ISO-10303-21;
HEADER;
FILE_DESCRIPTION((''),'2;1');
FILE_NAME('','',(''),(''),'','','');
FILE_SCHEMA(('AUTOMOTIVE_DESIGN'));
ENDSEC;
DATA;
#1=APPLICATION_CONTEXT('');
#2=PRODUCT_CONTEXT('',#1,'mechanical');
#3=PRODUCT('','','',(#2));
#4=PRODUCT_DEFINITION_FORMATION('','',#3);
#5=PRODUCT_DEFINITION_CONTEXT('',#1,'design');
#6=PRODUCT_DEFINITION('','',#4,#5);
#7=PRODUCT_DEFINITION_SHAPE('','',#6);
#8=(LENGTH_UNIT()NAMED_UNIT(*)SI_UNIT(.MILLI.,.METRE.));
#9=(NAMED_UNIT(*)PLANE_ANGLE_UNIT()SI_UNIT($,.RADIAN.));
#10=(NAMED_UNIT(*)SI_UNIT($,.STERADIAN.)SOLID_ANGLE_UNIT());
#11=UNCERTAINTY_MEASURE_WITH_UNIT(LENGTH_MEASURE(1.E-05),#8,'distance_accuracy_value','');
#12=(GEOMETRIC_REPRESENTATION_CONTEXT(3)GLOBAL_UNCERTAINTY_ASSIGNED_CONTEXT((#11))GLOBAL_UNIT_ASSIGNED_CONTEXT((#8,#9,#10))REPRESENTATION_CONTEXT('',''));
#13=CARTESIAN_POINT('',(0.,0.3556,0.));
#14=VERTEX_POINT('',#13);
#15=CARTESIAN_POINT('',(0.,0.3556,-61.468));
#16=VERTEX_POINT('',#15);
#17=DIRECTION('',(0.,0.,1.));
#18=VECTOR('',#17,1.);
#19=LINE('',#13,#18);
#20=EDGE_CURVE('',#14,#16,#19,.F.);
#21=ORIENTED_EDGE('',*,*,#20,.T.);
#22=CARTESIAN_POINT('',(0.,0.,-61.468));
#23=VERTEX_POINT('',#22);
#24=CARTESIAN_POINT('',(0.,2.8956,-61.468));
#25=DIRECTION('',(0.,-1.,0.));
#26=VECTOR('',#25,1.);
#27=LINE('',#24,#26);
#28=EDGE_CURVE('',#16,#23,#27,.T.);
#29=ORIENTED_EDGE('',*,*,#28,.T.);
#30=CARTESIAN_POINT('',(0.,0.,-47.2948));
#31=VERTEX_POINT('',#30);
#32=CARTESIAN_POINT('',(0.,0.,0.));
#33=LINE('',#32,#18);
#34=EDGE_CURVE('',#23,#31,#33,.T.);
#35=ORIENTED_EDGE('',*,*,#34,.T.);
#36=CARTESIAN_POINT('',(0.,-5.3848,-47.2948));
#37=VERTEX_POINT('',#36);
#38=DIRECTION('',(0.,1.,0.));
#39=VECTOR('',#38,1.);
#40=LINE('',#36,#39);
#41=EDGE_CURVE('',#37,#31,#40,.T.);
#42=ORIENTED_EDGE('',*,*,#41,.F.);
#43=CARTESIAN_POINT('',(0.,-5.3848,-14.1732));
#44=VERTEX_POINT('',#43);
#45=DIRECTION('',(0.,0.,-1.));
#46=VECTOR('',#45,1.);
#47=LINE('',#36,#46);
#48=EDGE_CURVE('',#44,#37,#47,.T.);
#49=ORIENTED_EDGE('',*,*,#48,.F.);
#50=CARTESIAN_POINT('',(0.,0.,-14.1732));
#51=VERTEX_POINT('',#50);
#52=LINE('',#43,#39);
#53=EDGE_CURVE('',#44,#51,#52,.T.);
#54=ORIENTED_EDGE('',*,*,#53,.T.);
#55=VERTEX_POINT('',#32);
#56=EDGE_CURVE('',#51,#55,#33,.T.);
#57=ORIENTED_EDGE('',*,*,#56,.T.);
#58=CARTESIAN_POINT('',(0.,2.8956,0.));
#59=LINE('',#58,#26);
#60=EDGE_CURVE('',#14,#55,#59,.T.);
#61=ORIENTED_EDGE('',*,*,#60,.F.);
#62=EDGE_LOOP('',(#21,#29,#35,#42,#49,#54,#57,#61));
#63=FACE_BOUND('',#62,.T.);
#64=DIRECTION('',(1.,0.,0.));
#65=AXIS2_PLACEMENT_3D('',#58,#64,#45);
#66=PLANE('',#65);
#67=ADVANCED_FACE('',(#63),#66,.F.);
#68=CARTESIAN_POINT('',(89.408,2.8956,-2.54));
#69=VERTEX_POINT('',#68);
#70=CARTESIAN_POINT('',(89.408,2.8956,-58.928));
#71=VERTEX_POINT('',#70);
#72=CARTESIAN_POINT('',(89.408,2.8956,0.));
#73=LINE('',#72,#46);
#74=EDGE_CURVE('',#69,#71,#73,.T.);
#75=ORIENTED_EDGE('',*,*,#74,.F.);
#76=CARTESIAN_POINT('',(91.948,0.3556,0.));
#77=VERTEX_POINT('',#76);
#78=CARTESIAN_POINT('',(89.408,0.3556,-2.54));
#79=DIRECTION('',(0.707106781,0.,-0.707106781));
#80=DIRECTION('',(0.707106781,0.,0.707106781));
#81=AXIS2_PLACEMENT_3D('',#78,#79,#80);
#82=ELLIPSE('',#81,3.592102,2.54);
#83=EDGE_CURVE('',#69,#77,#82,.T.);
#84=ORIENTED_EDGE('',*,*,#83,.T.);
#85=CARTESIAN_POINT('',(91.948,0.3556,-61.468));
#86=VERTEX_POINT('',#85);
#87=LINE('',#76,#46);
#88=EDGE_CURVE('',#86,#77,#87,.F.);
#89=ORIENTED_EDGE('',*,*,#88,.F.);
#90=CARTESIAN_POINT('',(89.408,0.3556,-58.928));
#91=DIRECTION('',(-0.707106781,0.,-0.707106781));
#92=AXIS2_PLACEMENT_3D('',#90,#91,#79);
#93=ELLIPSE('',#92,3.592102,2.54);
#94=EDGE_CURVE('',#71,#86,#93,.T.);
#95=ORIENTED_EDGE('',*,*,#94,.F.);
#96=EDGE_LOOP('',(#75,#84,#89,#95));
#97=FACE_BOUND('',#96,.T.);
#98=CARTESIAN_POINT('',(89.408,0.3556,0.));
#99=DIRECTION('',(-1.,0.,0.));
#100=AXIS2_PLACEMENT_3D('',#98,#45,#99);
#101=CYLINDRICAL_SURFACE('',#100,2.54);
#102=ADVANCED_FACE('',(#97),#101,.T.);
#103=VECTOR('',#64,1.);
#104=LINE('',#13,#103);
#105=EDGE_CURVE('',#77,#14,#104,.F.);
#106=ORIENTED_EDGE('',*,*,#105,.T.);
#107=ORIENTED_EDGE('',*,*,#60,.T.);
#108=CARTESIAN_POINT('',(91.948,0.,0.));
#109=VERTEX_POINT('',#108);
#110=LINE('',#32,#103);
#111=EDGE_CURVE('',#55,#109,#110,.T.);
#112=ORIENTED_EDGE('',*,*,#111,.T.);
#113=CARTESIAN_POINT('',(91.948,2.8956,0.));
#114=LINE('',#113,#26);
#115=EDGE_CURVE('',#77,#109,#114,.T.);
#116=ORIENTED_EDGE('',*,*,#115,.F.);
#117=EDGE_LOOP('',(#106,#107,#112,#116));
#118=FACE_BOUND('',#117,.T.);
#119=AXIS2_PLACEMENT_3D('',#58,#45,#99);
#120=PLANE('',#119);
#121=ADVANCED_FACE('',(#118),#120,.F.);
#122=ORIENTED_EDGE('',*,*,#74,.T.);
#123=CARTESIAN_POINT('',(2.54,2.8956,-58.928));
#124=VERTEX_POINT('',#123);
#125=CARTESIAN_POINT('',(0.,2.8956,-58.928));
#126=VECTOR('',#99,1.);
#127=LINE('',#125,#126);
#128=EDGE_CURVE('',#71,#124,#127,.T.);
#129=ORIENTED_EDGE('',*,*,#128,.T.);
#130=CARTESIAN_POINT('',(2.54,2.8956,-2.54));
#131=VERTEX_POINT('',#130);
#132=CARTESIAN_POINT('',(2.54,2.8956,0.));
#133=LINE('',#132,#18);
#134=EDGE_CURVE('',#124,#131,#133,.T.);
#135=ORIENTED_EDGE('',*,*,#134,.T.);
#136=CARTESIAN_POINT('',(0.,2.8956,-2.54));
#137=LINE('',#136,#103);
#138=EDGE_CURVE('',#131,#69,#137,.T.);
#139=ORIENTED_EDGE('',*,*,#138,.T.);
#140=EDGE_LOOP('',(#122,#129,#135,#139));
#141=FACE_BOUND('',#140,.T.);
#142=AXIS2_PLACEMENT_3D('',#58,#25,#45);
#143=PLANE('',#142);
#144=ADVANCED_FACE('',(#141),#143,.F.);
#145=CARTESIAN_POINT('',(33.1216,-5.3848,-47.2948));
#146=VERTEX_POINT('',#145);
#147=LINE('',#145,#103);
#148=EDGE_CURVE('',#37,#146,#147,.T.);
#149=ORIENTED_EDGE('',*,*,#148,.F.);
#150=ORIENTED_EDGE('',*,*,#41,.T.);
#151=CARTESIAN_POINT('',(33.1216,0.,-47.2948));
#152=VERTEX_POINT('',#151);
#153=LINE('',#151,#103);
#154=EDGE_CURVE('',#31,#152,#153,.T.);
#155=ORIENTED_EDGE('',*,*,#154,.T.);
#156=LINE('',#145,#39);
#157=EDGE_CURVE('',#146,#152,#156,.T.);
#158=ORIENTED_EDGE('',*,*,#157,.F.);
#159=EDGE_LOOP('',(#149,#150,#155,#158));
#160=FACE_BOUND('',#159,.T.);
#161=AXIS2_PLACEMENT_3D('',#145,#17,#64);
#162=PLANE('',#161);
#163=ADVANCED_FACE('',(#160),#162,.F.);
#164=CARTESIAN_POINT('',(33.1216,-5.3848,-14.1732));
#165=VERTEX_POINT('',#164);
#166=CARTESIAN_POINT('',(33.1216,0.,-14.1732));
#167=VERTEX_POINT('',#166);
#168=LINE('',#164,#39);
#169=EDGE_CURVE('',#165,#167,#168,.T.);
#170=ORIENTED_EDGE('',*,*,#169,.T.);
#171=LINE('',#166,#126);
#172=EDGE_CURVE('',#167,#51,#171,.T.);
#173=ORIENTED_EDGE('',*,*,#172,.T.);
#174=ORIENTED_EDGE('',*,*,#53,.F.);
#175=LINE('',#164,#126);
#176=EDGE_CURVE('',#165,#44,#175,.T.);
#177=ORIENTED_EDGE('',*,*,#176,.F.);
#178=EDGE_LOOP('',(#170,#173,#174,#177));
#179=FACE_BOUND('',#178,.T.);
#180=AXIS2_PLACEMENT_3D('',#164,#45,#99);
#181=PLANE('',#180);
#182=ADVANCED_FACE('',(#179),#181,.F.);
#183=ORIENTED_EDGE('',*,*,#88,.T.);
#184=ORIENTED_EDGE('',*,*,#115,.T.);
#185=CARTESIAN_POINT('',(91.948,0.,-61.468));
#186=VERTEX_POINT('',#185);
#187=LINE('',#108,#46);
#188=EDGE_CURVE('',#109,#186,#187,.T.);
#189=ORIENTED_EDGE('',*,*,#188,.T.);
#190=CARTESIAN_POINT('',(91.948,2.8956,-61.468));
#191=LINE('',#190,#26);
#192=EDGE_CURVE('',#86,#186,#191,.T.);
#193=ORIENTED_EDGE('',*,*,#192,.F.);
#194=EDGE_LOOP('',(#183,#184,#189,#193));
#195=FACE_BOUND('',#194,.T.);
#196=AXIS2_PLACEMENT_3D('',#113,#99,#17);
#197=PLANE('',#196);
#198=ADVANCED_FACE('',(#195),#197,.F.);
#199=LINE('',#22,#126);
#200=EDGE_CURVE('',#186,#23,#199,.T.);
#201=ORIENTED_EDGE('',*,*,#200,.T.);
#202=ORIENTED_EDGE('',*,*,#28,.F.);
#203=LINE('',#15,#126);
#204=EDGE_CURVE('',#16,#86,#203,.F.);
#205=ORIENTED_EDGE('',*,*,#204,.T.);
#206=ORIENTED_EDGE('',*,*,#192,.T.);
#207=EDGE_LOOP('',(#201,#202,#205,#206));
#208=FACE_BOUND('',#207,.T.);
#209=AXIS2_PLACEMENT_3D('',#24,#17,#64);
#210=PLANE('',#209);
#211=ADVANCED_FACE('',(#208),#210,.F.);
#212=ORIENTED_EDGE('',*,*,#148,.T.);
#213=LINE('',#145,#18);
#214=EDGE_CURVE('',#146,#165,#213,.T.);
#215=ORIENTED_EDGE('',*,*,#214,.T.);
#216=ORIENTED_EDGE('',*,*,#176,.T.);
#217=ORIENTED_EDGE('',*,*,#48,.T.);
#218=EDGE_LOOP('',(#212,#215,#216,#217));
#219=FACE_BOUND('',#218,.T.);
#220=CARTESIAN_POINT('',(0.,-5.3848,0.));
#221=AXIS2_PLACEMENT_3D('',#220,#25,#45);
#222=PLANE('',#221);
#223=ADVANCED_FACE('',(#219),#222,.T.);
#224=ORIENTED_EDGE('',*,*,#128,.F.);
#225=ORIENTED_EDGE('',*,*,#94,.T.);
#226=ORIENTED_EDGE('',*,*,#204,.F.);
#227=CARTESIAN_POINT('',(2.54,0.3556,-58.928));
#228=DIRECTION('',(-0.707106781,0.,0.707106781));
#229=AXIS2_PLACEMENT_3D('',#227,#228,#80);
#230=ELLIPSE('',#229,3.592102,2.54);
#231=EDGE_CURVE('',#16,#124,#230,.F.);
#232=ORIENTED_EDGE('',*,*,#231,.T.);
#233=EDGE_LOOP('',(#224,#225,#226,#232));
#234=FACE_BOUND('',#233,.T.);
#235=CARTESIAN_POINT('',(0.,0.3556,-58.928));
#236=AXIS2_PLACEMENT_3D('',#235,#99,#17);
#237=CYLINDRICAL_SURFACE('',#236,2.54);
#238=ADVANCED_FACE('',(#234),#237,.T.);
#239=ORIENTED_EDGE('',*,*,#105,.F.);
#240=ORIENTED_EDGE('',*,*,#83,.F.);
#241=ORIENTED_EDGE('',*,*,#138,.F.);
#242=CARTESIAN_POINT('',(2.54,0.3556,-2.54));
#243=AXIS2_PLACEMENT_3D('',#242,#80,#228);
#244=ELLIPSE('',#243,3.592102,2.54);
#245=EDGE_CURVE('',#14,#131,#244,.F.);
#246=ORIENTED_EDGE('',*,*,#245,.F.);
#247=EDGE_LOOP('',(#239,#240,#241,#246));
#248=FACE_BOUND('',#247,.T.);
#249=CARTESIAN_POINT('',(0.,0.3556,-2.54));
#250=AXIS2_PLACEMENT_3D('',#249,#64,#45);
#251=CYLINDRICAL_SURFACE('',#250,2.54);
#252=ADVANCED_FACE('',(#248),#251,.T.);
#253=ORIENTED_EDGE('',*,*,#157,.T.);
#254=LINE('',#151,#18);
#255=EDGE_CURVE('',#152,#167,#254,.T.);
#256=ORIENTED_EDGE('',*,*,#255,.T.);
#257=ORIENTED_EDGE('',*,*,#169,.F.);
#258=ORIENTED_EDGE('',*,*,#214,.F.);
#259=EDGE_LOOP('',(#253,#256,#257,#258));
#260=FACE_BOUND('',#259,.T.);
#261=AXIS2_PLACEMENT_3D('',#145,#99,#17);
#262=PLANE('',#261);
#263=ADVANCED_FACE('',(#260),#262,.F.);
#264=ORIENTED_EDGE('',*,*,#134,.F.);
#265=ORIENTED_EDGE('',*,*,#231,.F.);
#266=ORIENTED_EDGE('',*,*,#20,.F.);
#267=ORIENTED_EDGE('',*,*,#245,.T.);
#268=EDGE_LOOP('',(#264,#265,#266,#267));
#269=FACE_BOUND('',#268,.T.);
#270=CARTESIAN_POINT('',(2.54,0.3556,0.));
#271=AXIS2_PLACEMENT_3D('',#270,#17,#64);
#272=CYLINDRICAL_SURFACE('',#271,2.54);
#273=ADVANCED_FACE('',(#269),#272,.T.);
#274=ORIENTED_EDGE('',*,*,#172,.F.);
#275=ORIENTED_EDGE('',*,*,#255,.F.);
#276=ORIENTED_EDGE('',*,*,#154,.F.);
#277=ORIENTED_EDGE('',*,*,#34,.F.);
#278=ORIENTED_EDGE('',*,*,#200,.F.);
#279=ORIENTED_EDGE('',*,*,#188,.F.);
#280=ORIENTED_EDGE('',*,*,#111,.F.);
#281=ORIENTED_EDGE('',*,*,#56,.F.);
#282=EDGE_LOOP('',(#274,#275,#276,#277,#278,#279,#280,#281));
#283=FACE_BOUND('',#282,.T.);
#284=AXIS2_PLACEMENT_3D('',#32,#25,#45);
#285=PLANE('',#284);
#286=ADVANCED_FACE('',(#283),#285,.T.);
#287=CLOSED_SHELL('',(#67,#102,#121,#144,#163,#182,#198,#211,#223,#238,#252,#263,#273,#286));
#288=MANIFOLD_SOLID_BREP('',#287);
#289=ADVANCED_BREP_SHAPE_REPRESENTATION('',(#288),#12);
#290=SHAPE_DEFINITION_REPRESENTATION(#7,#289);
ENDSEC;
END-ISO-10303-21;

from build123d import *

# Parameters (mm, degrees)
SKETCH1_W           = 91.948
SKETCH1_H           = 61.468
BOSS_EXTRUDE1_DEPTH = 2.8956
SKETCH2_W           = 33.1216
SKETCH2_H           = 33.1216
BOSS_EXTRUDE2_DEPTH = 5.3848
FILLET1_R           = 2.54


with BuildPart() as part:
    # Sketch1 → Boss-Extrude1 (new body)
    with BuildSketch(Plane(origin=(0, 0, 0), x_dir=(1, 0, 0), z_dir=(0, 1, 0))):
        with Locations((45.974, 30.734)):
            Rectangle(SKETCH1_W, SKETCH1_H)
    extrude(amount=BOSS_EXTRUDE1_DEPTH)

    # Sketch2 → Boss-Extrude2 (add)
    with BuildSketch(Plane.XZ):
        with Locations((16.5608, -30.734)):
            Rectangle(SKETCH2_W, SKETCH2_H)
    extrude(amount=BOSS_EXTRUDE2_DEPTH)

    # Fillet1
    fillet1_edges = [part.edges().sort_by_distance(p)[0] for p in [
        (91.948, 2.8956, -30.734),
        (45.974, 2.8956, -61.468),
        (0, 2.8956, -30.734),
        (45.974, 2.8956, 0),
    ]]
    fillet(fillet1_edges, radius=FILLET1_R)


solid = part.part
